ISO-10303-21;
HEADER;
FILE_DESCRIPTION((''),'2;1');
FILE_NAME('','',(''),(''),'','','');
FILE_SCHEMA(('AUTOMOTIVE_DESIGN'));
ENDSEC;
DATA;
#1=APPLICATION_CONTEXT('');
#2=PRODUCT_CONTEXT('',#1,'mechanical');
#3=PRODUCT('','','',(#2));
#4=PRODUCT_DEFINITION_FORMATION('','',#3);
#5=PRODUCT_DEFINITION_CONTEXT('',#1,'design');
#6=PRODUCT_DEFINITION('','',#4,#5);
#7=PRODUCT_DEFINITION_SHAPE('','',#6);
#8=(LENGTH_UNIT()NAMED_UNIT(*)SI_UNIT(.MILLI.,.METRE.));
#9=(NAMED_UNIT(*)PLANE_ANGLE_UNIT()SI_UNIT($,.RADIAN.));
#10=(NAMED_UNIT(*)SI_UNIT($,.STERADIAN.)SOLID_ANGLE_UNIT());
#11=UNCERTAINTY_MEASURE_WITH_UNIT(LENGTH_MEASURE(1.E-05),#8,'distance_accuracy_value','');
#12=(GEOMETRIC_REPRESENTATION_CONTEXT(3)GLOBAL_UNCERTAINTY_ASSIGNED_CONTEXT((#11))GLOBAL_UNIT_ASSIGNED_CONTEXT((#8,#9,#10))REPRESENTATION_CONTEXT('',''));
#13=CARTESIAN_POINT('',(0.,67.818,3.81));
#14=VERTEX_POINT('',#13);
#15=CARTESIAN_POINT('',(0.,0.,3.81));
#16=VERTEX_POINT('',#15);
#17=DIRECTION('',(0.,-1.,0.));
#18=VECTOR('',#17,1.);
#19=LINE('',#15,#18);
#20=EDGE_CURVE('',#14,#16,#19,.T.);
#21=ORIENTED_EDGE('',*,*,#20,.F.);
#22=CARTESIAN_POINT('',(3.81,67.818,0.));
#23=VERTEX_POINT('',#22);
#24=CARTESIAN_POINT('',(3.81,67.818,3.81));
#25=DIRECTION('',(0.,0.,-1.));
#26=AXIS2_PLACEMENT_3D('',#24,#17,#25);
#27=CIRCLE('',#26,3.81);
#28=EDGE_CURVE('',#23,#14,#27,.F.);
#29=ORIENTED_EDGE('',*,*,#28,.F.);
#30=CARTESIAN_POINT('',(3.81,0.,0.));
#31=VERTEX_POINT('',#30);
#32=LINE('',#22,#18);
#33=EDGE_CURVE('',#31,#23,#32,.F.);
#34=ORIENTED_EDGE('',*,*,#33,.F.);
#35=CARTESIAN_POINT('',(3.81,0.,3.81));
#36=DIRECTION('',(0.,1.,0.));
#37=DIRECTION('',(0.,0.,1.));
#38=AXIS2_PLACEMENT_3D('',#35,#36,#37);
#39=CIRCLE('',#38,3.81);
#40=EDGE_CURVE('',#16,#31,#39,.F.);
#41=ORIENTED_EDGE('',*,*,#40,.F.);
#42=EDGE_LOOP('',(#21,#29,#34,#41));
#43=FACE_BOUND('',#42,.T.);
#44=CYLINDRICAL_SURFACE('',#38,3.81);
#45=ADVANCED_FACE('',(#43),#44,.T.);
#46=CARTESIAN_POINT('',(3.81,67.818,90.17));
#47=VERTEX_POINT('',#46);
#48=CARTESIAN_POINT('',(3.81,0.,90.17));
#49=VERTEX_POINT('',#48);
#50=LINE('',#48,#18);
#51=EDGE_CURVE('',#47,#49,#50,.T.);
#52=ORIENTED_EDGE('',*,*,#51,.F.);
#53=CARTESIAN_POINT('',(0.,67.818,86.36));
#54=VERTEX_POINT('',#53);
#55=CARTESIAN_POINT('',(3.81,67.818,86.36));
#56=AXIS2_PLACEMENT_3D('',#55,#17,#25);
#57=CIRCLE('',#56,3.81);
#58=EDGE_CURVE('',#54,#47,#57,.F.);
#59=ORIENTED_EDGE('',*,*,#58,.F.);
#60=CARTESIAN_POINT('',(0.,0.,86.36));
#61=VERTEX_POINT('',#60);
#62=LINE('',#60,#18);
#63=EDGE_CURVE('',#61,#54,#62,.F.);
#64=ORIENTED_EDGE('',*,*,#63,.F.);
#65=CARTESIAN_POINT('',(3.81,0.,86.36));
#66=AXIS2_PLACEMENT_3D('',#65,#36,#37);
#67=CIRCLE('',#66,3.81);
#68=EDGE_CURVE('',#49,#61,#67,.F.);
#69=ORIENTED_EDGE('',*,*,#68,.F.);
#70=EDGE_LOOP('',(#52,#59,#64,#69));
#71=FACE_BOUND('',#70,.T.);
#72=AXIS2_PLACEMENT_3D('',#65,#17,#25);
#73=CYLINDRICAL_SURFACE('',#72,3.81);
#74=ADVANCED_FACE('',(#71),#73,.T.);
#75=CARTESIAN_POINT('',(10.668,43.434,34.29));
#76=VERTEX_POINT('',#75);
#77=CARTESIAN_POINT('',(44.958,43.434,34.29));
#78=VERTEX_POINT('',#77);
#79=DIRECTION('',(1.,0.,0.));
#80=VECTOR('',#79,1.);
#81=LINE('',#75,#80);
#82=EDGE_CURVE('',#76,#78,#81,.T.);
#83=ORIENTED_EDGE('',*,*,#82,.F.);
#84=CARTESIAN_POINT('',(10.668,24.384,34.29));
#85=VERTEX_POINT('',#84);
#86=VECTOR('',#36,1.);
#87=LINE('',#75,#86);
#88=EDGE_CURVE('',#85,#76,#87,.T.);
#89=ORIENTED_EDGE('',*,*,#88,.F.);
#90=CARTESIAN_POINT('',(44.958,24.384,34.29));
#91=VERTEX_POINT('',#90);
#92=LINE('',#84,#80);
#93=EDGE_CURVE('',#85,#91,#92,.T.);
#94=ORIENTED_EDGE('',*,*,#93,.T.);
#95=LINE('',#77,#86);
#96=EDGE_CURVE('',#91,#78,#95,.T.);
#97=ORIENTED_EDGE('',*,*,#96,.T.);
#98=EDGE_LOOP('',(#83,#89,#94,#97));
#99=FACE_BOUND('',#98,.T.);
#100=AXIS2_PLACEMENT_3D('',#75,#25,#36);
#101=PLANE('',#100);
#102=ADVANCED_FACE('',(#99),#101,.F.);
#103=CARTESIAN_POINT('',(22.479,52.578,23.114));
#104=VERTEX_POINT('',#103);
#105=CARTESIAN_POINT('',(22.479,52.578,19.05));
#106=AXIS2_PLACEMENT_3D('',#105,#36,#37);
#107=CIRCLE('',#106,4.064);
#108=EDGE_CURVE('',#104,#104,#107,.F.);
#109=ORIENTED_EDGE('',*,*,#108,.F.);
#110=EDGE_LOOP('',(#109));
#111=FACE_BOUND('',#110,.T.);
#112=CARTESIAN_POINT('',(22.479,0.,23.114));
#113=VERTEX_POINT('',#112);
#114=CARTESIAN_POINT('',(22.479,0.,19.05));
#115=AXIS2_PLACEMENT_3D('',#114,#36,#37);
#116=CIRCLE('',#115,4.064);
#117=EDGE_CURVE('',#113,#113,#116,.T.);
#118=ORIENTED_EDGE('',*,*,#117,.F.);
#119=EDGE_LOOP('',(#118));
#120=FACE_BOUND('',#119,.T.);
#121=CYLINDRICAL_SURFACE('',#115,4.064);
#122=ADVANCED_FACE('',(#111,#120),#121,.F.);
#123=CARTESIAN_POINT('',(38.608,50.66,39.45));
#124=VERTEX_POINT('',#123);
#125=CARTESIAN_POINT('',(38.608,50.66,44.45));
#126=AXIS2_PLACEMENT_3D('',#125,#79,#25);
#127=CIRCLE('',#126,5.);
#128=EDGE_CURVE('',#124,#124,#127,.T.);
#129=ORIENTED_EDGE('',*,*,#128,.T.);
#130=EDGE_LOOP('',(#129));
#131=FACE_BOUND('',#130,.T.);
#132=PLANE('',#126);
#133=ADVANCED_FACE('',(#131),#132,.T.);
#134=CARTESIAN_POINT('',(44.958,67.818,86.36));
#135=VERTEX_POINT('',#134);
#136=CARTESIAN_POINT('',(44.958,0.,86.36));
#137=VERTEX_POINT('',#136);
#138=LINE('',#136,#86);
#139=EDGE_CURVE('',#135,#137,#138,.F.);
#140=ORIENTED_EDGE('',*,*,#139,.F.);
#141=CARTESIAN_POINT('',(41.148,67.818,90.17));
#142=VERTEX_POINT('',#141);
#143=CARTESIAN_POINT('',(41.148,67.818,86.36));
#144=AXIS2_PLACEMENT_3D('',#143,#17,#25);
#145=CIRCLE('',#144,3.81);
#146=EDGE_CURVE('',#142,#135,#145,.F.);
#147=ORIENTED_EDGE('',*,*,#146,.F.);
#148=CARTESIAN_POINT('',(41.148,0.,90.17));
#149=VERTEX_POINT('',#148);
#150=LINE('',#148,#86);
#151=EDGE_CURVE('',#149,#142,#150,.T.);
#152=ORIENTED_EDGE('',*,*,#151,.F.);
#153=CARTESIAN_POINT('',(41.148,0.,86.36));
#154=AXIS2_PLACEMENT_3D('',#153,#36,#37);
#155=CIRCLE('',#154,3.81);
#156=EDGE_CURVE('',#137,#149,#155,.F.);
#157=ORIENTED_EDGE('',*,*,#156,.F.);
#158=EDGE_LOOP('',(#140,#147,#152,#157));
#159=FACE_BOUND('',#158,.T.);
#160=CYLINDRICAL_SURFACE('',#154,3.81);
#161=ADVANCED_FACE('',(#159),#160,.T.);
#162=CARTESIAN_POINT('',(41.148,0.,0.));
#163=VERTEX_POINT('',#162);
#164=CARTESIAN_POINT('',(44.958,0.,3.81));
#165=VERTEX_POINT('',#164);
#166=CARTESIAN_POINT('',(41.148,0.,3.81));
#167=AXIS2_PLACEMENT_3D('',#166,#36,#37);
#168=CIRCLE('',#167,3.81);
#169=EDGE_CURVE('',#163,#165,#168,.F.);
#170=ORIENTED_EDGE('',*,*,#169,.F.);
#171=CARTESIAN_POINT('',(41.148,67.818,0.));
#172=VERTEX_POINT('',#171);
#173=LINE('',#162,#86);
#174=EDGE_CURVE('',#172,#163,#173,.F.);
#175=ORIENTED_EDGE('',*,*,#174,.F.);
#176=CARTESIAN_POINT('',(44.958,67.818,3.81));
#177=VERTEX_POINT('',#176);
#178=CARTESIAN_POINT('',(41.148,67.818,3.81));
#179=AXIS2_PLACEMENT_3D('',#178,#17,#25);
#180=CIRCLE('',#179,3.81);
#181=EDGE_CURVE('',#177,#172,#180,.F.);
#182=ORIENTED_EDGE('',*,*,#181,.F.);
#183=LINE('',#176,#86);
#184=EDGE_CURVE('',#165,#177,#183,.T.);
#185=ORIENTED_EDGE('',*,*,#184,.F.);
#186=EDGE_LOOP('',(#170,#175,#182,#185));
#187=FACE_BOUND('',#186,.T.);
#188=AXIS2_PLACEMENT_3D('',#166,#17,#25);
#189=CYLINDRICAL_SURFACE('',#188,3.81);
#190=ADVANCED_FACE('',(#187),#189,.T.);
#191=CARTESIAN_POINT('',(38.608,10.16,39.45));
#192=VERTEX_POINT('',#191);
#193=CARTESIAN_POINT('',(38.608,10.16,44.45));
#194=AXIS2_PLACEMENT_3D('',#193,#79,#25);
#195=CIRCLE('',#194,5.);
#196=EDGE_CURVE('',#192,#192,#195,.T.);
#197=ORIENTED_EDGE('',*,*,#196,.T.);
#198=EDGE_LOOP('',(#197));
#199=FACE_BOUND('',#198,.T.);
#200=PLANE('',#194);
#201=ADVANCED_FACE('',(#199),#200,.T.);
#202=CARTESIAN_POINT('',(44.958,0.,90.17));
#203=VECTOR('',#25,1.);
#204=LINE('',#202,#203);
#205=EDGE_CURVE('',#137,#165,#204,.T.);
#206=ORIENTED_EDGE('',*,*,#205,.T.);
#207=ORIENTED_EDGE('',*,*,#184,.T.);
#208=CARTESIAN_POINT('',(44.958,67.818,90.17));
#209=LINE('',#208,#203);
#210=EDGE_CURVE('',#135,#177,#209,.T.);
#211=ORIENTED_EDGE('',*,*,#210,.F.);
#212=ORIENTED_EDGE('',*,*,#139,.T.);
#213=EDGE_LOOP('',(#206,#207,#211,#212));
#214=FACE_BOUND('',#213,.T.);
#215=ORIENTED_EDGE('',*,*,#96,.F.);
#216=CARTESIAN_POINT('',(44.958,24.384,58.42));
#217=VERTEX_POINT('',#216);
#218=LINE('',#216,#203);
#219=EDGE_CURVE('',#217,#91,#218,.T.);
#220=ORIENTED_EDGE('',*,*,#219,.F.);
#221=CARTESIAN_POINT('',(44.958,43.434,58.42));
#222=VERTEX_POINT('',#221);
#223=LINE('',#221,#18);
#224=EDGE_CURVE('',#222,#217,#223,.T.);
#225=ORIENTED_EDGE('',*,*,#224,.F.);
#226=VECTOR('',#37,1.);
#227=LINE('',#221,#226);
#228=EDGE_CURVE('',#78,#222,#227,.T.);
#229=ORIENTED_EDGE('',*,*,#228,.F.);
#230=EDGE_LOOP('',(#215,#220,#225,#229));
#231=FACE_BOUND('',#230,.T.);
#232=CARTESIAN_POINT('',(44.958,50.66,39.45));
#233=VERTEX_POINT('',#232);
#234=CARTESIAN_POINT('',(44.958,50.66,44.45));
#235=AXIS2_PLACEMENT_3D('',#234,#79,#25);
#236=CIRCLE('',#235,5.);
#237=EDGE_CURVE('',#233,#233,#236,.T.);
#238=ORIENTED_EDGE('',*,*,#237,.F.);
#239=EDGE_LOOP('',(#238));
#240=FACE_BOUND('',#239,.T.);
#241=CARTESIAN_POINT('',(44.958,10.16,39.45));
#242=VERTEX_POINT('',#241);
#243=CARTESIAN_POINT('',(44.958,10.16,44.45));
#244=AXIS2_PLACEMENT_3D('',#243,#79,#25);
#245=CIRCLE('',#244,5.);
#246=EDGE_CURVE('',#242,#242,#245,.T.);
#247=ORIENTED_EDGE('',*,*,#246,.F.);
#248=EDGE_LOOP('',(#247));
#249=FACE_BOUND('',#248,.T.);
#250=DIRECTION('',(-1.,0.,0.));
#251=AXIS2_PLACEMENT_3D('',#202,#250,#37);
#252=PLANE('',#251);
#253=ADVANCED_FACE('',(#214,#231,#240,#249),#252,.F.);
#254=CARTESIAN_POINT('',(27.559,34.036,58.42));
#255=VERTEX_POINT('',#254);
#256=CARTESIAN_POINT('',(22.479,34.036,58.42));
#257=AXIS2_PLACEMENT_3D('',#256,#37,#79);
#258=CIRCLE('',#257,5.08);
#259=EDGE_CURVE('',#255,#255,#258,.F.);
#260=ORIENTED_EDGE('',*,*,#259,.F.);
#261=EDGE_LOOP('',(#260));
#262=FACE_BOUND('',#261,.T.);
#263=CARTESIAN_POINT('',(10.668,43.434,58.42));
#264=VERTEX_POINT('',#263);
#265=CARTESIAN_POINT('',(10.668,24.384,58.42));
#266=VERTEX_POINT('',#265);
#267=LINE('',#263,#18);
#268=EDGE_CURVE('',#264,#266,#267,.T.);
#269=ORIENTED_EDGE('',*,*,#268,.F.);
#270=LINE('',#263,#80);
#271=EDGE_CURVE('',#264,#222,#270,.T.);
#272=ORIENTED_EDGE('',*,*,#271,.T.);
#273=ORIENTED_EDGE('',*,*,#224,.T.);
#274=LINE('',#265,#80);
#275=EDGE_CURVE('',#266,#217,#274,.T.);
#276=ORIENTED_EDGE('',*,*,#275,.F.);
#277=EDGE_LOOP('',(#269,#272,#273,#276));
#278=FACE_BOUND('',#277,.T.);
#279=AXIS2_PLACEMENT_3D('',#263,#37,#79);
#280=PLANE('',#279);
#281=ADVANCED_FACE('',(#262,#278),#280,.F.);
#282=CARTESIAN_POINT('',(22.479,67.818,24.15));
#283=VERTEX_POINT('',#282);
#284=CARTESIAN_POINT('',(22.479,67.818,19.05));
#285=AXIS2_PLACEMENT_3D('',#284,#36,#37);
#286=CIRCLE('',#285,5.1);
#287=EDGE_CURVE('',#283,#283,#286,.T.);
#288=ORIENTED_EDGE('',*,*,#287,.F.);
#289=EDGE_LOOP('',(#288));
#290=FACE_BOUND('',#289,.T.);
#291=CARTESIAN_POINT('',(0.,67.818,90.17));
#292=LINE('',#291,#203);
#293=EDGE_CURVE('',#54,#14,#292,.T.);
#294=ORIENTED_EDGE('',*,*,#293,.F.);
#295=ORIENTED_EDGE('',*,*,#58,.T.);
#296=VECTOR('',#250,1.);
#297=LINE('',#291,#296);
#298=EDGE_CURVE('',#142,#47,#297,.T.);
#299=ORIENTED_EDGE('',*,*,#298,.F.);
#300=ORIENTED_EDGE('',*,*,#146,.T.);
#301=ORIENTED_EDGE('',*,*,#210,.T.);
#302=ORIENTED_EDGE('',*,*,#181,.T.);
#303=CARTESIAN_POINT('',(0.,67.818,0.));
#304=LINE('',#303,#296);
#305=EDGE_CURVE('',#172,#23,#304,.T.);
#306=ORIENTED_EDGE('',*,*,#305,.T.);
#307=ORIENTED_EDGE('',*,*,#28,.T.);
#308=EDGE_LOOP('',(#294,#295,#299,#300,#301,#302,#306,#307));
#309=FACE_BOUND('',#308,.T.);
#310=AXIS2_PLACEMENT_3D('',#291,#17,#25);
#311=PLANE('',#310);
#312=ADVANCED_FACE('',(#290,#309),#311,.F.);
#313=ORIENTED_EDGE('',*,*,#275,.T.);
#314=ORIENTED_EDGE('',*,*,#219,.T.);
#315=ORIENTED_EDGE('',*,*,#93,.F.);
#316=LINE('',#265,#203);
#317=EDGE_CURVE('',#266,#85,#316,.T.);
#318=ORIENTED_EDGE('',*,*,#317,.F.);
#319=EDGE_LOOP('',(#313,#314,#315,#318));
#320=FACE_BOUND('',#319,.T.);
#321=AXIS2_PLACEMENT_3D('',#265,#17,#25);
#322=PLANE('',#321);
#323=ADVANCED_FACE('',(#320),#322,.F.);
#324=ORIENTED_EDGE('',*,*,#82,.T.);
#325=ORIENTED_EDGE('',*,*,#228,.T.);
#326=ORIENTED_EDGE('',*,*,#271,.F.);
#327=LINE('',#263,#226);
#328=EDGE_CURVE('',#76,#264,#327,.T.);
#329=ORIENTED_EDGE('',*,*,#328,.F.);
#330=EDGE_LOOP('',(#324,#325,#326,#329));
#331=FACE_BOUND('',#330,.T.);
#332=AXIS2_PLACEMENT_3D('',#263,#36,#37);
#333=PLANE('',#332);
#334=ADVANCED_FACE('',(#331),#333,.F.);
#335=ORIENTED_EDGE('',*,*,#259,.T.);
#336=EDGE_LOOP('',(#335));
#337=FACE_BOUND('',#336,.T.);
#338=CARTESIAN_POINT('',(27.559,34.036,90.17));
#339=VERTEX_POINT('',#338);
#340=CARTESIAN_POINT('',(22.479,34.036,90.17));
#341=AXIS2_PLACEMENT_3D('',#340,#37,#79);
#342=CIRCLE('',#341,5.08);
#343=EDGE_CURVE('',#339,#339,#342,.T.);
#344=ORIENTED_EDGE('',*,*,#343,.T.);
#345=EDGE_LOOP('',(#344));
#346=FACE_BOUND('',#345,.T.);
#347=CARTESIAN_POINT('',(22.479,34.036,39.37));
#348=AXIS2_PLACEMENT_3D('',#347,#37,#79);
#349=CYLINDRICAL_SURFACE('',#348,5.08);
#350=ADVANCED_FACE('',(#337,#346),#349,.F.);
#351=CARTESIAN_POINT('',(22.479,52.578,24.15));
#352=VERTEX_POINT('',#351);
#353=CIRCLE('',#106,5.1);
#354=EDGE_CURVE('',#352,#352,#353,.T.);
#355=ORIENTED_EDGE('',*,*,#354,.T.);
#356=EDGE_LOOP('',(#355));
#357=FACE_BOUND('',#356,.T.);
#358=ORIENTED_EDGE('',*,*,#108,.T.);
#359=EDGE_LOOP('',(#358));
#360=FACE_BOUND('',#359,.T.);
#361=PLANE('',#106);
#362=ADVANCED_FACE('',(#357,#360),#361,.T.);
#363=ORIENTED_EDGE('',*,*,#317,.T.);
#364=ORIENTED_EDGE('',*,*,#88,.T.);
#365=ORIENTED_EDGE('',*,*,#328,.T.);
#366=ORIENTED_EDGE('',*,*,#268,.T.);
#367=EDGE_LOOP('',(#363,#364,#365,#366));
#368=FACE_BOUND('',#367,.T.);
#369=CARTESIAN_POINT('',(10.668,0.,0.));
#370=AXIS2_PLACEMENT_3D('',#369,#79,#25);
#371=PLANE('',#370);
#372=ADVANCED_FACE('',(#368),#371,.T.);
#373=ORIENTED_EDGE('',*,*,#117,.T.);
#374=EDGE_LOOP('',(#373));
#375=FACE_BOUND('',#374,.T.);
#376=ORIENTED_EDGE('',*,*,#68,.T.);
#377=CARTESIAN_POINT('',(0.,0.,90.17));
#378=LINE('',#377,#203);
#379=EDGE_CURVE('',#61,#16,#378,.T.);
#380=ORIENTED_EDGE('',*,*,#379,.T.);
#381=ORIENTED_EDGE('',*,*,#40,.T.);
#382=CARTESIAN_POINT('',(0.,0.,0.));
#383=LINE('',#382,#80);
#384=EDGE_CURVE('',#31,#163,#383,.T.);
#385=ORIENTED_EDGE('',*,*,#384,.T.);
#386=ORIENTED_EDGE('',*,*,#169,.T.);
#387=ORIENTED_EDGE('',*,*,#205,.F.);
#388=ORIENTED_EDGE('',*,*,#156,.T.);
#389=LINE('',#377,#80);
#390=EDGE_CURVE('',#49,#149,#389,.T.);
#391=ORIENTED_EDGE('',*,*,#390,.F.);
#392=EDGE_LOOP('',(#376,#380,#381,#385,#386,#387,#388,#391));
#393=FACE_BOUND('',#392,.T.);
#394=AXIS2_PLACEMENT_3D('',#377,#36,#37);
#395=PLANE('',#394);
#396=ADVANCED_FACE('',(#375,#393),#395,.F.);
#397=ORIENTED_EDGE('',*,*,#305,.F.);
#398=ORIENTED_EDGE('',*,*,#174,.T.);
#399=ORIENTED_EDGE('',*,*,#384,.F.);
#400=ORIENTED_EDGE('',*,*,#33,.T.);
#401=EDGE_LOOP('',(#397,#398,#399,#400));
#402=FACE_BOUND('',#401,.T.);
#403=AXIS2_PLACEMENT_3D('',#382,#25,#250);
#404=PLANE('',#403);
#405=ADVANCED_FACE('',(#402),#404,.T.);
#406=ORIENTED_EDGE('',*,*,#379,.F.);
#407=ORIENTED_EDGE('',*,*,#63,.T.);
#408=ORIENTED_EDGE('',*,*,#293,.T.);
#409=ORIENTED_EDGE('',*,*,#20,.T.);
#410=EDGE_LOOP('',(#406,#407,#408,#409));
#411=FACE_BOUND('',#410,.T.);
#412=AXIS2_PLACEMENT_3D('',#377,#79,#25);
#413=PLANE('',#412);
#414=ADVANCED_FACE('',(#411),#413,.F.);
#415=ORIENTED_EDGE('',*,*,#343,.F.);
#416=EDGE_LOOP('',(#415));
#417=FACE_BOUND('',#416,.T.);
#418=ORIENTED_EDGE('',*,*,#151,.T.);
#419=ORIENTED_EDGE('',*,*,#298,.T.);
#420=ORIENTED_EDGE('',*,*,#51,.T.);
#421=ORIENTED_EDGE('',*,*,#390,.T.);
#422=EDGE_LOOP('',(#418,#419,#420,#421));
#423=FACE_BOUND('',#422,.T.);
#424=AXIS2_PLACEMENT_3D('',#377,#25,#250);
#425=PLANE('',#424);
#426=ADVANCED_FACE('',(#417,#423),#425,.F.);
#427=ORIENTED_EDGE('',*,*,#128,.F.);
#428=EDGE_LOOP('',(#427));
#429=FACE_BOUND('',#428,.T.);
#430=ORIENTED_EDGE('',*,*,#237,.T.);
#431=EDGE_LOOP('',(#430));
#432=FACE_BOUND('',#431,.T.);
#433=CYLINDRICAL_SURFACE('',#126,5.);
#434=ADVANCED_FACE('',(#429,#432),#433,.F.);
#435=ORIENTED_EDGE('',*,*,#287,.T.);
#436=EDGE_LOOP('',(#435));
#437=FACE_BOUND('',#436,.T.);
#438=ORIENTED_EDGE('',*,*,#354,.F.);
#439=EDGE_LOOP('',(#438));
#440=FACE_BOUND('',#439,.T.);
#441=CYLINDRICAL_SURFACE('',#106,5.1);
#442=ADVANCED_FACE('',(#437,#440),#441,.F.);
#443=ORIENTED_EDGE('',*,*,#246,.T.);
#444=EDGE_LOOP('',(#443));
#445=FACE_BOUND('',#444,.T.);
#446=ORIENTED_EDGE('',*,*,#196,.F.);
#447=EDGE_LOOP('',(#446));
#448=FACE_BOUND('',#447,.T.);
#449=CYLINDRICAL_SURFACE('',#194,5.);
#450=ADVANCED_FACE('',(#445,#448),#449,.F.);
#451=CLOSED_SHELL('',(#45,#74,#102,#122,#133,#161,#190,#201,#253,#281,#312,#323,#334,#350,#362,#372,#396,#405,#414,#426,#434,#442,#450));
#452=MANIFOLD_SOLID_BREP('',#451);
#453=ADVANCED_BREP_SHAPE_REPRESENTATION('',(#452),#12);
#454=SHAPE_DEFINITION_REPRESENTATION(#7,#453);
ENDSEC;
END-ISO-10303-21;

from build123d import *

# Parameters (mm, degrees)
SKETCH1_W           = 44.958
SKETCH1_H           = 67.818
BOSS_EXTRUDE1_DEPTH = 90.17
SKETCH2_R           = 5
CUT_EXTRUDE1_DEPTH  = 6.35
SKETCH3_R           = 4.064
CUT_EXTRUDE2_DEPTH  = 68.818
SKETCH4_R           = 5.1
CUT_EXTRUDE3_DEPTH  = 15.24
SKETCH5_R           = 5.08
CUT_EXTRUDE4_DEPTH  = 50.8
SKETCH6_W           = 24.13
SKETCH6_H           = 19.05
CUT_EXTRUDE5_DEPTH  = 34.29
FILLET1_R           = 3.81


with BuildPart() as part:
    # Sketch1 → Boss-Extrude1 (new body)
    with BuildSketch(Plane.XY):
        with Locations((22.479, 33.909)):
            Rectangle(SKETCH1_W, SKETCH1_H)
    extrude(amount=BOSS_EXTRUDE1_DEPTH)

    # Sketch2 → Cut-Extrude1 (cut)
    with BuildSketch(Plane(origin=(44.958, 0, 0), x_dir=(0, 0, -1), z_dir=(1, 0, 0))):
        with Locations((-44.45, 50.66)):
            Circle(SKETCH2_R)
        with Locations((-44.45, 10.16)):
            Circle(SKETCH2_R)
    extrude(amount=-CUT_EXTRUDE1_DEPTH, mode=Mode.SUBTRACT)

    # Sketch3 → Cut-Extrude2 (cut, through all)
    with BuildSketch(Plane(origin=(0, 67.818, 0), x_dir=(1, 0, 0), z_dir=(0, 1, 0))):
        with Locations((22.479, -19.05)):
            Circle(SKETCH3_R)
    extrude(amount=-CUT_EXTRUDE2_DEPTH, mode=Mode.SUBTRACT)

    # Sketch4 → Cut-Extrude3 (cut)
    with BuildSketch(Plane(origin=(0, 67.818, 0), x_dir=(1, 0, 0), z_dir=(0, 1, 0))):
        with Locations((22.479, -19.05)):
            Circle(SKETCH4_R)
    extrude(amount=-CUT_EXTRUDE3_DEPTH, mode=Mode.SUBTRACT)

    # Sketch5 → Cut-Extrude4 (cut)
    with BuildSketch(Plane.XY.offset(90.17)):
        with Locations((22.479, 34.036)):
            Circle(SKETCH5_R)
    extrude(amount=-CUT_EXTRUDE4_DEPTH, mode=Mode.SUBTRACT)

    # Sketch6 → Cut-Extrude5 (cut)
    with BuildSketch(Plane(origin=(44.958, 0, 0), x_dir=(0, 0, -1), z_dir=(1, 0, 0))):
        with Locations((-46.355, 33.909)):
            Rectangle(SKETCH6_W, SKETCH6_H)
    extrude(amount=-CUT_EXTRUDE5_DEPTH, mode=Mode.SUBTRACT)

    # Fillet1
    fillet1_edges = [part.edges().sort_by_distance(p)[0] for p in [
        (44.958, 33.909, 90.17),
        (0, 33.909, 90.17),
        (44.958, 33.909, 0),
        (0, 33.909, 0),
    ]]
    fillet(fillet1_edges, radius=FILLET1_R)


solid = part.part
